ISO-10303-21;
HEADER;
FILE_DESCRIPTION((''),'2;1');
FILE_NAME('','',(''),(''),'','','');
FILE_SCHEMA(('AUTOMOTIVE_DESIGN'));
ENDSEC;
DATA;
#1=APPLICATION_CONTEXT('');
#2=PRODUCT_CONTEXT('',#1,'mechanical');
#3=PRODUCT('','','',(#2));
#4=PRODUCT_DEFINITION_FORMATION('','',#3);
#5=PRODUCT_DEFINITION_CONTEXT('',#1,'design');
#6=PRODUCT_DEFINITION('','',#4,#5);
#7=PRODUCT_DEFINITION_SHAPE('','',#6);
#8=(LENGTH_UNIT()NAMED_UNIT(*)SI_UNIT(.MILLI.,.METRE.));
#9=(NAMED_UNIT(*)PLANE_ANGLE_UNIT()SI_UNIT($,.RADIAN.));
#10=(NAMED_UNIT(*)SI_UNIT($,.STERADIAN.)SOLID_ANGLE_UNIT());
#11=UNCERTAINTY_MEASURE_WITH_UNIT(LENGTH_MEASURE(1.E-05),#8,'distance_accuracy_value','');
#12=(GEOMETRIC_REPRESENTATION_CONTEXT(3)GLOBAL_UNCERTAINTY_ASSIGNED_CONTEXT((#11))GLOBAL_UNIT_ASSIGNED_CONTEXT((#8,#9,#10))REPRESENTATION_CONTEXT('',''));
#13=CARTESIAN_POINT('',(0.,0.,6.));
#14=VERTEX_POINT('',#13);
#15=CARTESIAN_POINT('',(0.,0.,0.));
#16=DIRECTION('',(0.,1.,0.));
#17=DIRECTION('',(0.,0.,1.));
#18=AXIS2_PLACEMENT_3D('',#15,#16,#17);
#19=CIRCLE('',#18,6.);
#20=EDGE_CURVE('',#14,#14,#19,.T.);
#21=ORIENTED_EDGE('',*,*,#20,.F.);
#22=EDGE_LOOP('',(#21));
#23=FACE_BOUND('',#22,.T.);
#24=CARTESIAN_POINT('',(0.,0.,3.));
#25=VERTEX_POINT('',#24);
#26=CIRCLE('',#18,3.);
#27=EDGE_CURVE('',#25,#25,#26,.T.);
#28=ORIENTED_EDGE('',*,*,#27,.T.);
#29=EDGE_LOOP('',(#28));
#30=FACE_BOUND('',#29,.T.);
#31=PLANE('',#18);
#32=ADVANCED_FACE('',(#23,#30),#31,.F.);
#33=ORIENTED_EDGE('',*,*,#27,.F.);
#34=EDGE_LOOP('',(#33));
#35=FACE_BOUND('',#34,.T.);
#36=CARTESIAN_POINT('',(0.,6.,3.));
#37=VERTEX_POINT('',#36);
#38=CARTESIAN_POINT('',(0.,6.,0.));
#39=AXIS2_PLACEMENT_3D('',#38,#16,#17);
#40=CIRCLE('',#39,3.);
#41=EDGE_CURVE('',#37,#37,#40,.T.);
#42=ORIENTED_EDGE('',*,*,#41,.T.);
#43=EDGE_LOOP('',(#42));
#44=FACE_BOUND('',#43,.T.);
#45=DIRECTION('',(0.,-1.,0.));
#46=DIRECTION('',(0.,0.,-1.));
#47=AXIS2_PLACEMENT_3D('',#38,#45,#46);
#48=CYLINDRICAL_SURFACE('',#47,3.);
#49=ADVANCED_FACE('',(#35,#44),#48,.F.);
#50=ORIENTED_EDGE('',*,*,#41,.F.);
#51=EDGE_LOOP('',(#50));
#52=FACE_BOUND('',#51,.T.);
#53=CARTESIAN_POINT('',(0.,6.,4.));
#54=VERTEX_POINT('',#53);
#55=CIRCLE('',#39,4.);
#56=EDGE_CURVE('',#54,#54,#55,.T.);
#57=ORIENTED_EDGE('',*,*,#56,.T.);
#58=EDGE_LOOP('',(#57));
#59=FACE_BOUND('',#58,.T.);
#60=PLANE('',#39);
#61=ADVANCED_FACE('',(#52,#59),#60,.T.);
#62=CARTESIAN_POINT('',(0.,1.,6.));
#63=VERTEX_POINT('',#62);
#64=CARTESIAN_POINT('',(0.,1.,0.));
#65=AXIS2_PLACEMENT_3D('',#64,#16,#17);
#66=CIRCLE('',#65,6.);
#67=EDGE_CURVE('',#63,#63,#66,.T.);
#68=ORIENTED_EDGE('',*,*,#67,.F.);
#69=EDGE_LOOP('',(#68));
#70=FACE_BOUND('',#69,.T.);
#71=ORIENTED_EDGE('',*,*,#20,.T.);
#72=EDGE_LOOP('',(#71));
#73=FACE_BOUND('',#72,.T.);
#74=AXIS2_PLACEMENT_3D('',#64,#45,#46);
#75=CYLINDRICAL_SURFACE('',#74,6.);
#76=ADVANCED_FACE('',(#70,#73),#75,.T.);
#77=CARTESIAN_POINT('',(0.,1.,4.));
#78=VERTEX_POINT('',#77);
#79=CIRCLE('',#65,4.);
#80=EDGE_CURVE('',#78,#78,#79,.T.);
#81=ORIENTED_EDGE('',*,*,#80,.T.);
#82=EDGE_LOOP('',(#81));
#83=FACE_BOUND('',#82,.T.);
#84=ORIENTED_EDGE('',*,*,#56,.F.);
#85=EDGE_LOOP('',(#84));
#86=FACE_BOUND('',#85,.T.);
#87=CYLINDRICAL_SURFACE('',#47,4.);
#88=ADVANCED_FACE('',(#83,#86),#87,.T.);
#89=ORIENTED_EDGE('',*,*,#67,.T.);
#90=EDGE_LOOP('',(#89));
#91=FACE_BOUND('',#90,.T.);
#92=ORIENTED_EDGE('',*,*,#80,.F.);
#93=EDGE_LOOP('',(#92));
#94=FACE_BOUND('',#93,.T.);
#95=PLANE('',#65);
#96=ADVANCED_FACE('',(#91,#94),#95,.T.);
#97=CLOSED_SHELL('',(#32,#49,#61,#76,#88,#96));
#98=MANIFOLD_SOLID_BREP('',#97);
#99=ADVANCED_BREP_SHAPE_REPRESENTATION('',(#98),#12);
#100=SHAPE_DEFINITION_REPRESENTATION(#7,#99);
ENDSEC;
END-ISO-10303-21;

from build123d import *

# Parameters (mm, degrees)
SKETCH2_R           = 4
SKETCH2_R_2         = 3
BOSS_EXTRUDE1_DEPTH = 6
SKETCH3_R           = 6
SKETCH3_R_2         = 4
BOSS_EXTRUDE2_DEPTH = 1


with BuildPart() as part:
    # Sketch2 → Boss-Extrude1 (new body)
    with BuildSketch(Plane(origin=(0, 0, 0), x_dir=(1, 0, 0), z_dir=(0, 1, 0))):
        Circle(SKETCH2_R)
        Circle(SKETCH2_R_2, mode=Mode.SUBTRACT)
    extrude(amount=BOSS_EXTRUDE1_DEPTH)

    # Sketch3 → Boss-Extrude2 (add)
    with BuildSketch(Plane(origin=(0, 0, 0), x_dir=(1, 0, 0), z_dir=(0, 1, 0))):
        Circle(SKETCH3_R)
        Circle(SKETCH3_R_2, mode=Mode.SUBTRACT)
    extrude(amount=BOSS_EXTRUDE2_DEPTH)


solid = part.part
